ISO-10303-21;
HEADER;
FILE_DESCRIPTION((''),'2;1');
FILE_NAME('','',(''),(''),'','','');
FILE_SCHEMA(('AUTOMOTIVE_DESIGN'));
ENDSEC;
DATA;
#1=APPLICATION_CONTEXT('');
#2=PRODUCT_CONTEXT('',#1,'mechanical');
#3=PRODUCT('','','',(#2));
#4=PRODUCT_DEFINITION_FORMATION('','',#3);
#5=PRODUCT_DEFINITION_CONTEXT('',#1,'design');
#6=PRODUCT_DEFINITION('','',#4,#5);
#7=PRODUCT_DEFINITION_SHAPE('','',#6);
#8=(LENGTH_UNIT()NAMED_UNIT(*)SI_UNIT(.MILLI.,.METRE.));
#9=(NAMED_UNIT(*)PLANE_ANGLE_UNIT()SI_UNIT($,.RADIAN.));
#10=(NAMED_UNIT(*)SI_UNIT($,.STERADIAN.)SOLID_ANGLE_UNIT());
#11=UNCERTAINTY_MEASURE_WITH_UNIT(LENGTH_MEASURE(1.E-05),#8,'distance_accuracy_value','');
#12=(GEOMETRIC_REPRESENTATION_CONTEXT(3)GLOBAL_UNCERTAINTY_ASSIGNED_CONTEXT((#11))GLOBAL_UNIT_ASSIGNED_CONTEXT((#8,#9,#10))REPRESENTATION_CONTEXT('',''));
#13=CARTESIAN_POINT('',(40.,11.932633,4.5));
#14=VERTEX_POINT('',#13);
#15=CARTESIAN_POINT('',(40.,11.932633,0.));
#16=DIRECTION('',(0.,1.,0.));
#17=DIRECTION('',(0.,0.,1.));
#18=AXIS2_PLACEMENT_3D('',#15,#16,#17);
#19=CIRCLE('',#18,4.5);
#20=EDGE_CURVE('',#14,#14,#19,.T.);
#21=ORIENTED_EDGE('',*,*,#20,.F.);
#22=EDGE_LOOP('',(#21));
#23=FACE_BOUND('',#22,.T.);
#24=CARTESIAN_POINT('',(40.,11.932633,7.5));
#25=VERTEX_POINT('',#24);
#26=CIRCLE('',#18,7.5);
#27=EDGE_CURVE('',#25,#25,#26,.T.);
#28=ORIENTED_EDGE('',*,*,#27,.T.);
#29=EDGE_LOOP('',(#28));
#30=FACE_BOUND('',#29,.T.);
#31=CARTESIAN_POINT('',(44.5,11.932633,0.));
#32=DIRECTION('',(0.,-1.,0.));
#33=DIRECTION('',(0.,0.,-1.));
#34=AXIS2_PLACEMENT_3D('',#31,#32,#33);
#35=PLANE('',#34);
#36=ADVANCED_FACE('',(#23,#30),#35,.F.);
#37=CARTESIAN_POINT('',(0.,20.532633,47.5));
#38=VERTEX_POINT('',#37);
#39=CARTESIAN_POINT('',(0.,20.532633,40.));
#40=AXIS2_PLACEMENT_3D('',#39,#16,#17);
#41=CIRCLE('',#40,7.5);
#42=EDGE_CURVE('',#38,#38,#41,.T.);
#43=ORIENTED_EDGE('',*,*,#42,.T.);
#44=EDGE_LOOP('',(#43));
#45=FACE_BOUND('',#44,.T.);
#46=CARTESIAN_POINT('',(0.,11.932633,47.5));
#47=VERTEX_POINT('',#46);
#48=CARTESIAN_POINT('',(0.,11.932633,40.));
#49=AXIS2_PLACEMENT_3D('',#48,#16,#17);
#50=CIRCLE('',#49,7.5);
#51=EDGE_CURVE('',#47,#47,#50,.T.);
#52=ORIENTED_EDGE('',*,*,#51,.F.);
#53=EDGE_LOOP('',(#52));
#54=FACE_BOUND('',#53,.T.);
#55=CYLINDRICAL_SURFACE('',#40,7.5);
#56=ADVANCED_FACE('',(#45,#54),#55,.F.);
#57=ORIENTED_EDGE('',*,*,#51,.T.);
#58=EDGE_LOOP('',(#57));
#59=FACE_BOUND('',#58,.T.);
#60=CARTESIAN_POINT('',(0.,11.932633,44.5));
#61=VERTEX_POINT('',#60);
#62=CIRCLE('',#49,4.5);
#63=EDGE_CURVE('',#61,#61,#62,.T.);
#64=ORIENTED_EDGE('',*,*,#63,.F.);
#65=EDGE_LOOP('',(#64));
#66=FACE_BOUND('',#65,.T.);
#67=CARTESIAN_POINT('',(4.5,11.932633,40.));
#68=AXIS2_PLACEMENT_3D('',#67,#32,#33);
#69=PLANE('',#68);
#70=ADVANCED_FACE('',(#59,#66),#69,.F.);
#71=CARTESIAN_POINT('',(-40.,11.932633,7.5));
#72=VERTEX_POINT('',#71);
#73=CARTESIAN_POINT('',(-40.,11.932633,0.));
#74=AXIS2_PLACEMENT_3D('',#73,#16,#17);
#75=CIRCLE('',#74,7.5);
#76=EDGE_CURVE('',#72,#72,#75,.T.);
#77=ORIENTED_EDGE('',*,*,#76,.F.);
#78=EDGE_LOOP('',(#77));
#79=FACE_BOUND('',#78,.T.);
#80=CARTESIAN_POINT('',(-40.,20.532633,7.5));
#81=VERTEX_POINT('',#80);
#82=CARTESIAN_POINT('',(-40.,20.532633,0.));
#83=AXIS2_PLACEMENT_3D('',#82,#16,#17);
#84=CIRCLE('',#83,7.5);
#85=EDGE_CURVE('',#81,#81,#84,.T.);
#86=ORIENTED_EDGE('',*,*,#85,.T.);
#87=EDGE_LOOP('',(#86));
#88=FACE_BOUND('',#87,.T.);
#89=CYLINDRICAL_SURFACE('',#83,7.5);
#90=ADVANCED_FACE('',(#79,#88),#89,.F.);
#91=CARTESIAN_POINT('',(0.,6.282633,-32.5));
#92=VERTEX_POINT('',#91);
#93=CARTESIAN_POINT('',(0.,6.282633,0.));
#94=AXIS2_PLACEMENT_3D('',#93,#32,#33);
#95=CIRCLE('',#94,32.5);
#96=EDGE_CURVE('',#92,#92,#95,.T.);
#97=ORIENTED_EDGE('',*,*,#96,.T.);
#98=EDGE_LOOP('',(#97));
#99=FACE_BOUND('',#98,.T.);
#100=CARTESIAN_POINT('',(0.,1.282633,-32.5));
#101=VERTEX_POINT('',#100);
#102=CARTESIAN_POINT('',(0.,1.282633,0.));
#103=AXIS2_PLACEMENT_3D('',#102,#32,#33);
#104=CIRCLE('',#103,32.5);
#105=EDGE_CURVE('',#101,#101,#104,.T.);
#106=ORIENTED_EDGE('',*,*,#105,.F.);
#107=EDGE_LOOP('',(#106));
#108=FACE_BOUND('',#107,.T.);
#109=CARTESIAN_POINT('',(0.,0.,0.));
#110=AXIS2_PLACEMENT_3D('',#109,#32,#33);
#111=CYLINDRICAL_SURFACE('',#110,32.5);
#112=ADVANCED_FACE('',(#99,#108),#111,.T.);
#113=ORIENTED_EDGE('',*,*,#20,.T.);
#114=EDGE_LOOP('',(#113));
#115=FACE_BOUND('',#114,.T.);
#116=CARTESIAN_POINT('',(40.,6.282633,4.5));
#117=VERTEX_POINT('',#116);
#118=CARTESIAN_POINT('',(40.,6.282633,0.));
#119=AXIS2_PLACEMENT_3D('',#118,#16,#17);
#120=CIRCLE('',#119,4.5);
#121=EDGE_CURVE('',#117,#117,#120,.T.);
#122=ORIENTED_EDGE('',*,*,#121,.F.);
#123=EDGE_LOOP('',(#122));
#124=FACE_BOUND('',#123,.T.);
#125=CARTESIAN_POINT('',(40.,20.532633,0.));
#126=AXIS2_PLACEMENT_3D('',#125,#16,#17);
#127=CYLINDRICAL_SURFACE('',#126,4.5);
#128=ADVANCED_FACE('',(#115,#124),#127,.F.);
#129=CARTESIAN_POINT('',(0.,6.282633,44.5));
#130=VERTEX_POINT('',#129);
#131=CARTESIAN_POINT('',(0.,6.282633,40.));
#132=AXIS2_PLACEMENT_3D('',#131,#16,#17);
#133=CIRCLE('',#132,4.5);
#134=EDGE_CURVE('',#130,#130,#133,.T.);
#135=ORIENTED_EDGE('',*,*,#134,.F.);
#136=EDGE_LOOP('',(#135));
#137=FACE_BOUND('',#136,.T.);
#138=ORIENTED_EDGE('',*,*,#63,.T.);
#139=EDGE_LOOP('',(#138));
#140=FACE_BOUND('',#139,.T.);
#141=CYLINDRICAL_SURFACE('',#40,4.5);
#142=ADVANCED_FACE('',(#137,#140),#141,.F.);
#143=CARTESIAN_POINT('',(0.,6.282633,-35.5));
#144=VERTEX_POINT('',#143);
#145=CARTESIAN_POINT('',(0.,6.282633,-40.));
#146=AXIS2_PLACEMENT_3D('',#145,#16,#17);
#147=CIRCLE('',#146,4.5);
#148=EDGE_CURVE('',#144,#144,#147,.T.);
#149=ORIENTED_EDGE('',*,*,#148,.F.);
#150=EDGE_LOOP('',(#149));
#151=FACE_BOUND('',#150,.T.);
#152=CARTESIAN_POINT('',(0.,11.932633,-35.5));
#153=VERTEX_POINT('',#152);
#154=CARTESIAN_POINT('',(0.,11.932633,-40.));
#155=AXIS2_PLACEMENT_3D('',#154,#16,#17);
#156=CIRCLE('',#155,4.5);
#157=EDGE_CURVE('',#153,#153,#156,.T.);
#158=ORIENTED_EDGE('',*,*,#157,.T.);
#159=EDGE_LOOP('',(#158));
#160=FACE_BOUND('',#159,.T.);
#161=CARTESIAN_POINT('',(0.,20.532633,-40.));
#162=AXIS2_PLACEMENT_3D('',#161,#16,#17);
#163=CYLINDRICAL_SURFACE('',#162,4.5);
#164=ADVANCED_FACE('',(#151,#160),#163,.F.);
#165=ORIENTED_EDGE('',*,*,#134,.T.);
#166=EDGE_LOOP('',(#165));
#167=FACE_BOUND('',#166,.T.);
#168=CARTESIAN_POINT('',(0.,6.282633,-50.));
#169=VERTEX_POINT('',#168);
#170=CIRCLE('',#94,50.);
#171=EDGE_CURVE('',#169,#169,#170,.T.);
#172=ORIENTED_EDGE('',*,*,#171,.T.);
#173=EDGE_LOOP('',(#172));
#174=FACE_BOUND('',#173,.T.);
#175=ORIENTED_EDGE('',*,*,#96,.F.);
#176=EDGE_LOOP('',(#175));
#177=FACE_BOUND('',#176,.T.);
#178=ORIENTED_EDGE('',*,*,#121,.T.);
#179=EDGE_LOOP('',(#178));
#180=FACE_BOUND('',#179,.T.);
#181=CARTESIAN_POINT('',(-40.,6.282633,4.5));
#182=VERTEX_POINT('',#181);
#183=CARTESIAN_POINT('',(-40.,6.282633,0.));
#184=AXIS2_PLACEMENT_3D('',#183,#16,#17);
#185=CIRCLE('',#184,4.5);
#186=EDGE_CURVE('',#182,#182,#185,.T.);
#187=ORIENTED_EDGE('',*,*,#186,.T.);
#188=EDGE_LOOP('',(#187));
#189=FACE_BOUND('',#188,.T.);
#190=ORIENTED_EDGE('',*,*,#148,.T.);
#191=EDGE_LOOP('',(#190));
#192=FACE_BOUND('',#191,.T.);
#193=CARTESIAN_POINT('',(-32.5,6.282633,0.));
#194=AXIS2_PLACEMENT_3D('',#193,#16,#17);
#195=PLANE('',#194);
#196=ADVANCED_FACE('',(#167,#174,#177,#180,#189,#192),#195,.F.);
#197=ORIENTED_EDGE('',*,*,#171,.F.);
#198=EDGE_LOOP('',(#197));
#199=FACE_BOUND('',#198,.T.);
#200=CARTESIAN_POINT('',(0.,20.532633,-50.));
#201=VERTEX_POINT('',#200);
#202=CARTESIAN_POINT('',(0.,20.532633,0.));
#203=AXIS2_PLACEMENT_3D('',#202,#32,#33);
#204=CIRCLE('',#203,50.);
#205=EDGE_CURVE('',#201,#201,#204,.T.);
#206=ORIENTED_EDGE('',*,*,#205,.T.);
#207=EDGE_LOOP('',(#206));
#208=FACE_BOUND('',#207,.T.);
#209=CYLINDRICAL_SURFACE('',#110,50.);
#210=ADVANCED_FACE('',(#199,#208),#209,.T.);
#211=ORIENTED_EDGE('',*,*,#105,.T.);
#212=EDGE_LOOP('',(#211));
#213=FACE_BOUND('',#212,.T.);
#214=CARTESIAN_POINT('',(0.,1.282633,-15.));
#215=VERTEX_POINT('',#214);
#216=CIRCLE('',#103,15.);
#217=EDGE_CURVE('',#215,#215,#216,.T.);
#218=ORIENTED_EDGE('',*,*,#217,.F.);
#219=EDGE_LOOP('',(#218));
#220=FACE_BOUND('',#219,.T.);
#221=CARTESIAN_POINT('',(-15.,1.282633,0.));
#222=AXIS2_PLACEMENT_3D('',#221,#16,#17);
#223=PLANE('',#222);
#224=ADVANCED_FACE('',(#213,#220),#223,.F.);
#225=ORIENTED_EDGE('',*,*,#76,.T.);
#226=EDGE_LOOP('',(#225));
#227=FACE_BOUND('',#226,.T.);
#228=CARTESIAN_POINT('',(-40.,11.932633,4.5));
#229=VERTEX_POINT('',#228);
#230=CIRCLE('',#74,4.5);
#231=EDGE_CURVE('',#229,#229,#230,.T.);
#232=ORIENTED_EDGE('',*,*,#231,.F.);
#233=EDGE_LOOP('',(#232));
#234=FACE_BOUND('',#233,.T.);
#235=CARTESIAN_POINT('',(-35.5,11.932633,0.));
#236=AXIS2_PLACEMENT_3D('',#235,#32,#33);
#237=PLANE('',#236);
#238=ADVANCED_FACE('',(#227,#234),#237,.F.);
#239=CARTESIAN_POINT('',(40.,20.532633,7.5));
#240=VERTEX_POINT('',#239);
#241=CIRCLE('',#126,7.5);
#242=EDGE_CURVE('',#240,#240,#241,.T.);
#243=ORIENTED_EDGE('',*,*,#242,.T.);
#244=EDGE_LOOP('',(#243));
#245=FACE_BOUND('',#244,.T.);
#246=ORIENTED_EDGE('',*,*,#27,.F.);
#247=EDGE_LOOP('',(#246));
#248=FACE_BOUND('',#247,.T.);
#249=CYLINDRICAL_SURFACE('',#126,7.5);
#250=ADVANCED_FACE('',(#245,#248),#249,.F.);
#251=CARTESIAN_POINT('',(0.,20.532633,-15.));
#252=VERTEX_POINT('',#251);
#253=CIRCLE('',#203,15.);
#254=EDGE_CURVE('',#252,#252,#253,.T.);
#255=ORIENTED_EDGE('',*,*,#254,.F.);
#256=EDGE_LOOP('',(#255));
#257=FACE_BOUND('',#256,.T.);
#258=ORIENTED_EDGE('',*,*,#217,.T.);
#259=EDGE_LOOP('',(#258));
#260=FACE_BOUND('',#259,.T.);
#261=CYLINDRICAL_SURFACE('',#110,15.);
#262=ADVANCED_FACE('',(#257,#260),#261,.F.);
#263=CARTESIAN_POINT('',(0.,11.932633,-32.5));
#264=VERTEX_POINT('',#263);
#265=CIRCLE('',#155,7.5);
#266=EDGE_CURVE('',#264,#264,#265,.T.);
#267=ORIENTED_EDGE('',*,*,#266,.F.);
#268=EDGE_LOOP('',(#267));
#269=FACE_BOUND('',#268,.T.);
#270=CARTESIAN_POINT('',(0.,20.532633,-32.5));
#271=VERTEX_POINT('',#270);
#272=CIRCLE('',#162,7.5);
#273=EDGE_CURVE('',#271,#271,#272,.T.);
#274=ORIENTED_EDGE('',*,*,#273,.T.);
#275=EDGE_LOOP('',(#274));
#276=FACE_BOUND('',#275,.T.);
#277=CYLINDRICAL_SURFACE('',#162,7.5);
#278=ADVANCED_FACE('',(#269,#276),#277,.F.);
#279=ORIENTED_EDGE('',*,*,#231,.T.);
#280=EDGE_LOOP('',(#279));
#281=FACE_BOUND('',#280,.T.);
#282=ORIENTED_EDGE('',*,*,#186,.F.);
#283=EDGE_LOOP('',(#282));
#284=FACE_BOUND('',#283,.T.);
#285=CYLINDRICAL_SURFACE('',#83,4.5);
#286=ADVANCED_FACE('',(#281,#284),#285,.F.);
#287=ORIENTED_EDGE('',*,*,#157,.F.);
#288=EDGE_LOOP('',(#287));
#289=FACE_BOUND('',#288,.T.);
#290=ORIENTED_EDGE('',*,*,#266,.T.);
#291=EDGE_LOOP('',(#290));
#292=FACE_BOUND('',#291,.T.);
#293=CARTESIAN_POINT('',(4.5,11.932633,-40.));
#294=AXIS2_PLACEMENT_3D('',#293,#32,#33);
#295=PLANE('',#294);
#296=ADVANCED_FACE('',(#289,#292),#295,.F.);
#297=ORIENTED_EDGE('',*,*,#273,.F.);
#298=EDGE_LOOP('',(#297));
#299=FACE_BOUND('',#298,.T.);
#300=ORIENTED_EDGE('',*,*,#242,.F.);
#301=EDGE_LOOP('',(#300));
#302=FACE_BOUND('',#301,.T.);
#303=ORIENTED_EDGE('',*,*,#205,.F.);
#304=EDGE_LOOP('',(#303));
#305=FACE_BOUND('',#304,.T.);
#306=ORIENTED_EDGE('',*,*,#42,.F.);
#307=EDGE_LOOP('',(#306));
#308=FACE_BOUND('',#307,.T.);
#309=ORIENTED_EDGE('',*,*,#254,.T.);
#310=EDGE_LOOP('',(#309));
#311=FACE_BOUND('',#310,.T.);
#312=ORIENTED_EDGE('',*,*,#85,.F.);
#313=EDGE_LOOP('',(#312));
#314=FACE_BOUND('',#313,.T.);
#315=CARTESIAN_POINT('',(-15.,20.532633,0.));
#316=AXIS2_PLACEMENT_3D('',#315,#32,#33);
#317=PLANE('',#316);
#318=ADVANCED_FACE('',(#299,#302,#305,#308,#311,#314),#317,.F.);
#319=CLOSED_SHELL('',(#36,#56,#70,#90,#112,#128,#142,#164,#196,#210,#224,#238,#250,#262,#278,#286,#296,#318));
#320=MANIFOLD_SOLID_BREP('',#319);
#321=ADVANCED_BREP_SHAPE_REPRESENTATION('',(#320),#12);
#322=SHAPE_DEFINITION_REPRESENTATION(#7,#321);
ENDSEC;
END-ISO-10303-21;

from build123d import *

# Parameters (mm, degrees)
POG_BIENIE_WALCOWE_POD_M8_WKR_T_Z_BEM_W_D           = 9
POG_BIENIE_WALCOWE_POD_M8_WKR_T_Z_BEM_W_DEPTH       = 42
POG_BIENIE_WALCOWE_POD_M8_WKR_T_Z_BEM_W_CBORE_D     = 15
POG_BIENIE_WALCOWE_POD_M8_WKR_T_Z_BEM_W_CBORE_DEPTH = 8.6
POG_BIENIE_WALCOWE_POD_M8_WKR_T_Z_BEM_W_TIP         = 2.703872786


with BuildPart() as part:
    # Szkic1 → Obrót1 (revolve)
    with BuildSketch(Plane.XY, mode=Mode.PRIVATE) as obr_t1_sk:
        Polygon((-15, 20.532632774), (-50, 20.532632774), (-50, 6.282632774), (-32.5, 6.282632774), (-32.5, 1.282632774), (-15, 1.282632774), align=None)
    revolve(obr_t1_sk.sketch.rotate(Axis((0, 0, 0), (0, 1, 0)), 270), axis=Axis((0, 0, 0), (0, 1, 0)))

    # Pogłębienie walcowe pod M8 Wkręt z łbem walcowym z gniazdem sześciokątnym1
    with Locations(Plane(origin=(-40, 20.532632774, 0), x_dir=(0, 0, 1), z_dir=(0, 1, 0))):
        with Locations((0, 0), (-40, 40), (0, 80), (40, 40)):
            CounterBoreHole(POG_BIENIE_WALCOWE_POD_M8_WKR_T_Z_BEM_W_D / 2, POG_BIENIE_WALCOWE_POD_M8_WKR_T_Z_BEM_W_CBORE_D / 2, POG_BIENIE_WALCOWE_POD_M8_WKR_T_Z_BEM_W_CBORE_DEPTH, depth=POG_BIENIE_WALCOWE_POD_M8_WKR_T_Z_BEM_W_DEPTH)
            with Locations((0, 0, -(POG_BIENIE_WALCOWE_POD_M8_WKR_T_Z_BEM_W_DEPTH + POG_BIENIE_WALCOWE_POD_M8_WKR_T_Z_BEM_W_TIP / 2))):  # 118° drill point
                Cone(0, POG_BIENIE_WALCOWE_POD_M8_WKR_T_Z_BEM_W_D / 2, POG_BIENIE_WALCOWE_POD_M8_WKR_T_Z_BEM_W_TIP, mode=Mode.SUBTRACT)


solid = part.part
